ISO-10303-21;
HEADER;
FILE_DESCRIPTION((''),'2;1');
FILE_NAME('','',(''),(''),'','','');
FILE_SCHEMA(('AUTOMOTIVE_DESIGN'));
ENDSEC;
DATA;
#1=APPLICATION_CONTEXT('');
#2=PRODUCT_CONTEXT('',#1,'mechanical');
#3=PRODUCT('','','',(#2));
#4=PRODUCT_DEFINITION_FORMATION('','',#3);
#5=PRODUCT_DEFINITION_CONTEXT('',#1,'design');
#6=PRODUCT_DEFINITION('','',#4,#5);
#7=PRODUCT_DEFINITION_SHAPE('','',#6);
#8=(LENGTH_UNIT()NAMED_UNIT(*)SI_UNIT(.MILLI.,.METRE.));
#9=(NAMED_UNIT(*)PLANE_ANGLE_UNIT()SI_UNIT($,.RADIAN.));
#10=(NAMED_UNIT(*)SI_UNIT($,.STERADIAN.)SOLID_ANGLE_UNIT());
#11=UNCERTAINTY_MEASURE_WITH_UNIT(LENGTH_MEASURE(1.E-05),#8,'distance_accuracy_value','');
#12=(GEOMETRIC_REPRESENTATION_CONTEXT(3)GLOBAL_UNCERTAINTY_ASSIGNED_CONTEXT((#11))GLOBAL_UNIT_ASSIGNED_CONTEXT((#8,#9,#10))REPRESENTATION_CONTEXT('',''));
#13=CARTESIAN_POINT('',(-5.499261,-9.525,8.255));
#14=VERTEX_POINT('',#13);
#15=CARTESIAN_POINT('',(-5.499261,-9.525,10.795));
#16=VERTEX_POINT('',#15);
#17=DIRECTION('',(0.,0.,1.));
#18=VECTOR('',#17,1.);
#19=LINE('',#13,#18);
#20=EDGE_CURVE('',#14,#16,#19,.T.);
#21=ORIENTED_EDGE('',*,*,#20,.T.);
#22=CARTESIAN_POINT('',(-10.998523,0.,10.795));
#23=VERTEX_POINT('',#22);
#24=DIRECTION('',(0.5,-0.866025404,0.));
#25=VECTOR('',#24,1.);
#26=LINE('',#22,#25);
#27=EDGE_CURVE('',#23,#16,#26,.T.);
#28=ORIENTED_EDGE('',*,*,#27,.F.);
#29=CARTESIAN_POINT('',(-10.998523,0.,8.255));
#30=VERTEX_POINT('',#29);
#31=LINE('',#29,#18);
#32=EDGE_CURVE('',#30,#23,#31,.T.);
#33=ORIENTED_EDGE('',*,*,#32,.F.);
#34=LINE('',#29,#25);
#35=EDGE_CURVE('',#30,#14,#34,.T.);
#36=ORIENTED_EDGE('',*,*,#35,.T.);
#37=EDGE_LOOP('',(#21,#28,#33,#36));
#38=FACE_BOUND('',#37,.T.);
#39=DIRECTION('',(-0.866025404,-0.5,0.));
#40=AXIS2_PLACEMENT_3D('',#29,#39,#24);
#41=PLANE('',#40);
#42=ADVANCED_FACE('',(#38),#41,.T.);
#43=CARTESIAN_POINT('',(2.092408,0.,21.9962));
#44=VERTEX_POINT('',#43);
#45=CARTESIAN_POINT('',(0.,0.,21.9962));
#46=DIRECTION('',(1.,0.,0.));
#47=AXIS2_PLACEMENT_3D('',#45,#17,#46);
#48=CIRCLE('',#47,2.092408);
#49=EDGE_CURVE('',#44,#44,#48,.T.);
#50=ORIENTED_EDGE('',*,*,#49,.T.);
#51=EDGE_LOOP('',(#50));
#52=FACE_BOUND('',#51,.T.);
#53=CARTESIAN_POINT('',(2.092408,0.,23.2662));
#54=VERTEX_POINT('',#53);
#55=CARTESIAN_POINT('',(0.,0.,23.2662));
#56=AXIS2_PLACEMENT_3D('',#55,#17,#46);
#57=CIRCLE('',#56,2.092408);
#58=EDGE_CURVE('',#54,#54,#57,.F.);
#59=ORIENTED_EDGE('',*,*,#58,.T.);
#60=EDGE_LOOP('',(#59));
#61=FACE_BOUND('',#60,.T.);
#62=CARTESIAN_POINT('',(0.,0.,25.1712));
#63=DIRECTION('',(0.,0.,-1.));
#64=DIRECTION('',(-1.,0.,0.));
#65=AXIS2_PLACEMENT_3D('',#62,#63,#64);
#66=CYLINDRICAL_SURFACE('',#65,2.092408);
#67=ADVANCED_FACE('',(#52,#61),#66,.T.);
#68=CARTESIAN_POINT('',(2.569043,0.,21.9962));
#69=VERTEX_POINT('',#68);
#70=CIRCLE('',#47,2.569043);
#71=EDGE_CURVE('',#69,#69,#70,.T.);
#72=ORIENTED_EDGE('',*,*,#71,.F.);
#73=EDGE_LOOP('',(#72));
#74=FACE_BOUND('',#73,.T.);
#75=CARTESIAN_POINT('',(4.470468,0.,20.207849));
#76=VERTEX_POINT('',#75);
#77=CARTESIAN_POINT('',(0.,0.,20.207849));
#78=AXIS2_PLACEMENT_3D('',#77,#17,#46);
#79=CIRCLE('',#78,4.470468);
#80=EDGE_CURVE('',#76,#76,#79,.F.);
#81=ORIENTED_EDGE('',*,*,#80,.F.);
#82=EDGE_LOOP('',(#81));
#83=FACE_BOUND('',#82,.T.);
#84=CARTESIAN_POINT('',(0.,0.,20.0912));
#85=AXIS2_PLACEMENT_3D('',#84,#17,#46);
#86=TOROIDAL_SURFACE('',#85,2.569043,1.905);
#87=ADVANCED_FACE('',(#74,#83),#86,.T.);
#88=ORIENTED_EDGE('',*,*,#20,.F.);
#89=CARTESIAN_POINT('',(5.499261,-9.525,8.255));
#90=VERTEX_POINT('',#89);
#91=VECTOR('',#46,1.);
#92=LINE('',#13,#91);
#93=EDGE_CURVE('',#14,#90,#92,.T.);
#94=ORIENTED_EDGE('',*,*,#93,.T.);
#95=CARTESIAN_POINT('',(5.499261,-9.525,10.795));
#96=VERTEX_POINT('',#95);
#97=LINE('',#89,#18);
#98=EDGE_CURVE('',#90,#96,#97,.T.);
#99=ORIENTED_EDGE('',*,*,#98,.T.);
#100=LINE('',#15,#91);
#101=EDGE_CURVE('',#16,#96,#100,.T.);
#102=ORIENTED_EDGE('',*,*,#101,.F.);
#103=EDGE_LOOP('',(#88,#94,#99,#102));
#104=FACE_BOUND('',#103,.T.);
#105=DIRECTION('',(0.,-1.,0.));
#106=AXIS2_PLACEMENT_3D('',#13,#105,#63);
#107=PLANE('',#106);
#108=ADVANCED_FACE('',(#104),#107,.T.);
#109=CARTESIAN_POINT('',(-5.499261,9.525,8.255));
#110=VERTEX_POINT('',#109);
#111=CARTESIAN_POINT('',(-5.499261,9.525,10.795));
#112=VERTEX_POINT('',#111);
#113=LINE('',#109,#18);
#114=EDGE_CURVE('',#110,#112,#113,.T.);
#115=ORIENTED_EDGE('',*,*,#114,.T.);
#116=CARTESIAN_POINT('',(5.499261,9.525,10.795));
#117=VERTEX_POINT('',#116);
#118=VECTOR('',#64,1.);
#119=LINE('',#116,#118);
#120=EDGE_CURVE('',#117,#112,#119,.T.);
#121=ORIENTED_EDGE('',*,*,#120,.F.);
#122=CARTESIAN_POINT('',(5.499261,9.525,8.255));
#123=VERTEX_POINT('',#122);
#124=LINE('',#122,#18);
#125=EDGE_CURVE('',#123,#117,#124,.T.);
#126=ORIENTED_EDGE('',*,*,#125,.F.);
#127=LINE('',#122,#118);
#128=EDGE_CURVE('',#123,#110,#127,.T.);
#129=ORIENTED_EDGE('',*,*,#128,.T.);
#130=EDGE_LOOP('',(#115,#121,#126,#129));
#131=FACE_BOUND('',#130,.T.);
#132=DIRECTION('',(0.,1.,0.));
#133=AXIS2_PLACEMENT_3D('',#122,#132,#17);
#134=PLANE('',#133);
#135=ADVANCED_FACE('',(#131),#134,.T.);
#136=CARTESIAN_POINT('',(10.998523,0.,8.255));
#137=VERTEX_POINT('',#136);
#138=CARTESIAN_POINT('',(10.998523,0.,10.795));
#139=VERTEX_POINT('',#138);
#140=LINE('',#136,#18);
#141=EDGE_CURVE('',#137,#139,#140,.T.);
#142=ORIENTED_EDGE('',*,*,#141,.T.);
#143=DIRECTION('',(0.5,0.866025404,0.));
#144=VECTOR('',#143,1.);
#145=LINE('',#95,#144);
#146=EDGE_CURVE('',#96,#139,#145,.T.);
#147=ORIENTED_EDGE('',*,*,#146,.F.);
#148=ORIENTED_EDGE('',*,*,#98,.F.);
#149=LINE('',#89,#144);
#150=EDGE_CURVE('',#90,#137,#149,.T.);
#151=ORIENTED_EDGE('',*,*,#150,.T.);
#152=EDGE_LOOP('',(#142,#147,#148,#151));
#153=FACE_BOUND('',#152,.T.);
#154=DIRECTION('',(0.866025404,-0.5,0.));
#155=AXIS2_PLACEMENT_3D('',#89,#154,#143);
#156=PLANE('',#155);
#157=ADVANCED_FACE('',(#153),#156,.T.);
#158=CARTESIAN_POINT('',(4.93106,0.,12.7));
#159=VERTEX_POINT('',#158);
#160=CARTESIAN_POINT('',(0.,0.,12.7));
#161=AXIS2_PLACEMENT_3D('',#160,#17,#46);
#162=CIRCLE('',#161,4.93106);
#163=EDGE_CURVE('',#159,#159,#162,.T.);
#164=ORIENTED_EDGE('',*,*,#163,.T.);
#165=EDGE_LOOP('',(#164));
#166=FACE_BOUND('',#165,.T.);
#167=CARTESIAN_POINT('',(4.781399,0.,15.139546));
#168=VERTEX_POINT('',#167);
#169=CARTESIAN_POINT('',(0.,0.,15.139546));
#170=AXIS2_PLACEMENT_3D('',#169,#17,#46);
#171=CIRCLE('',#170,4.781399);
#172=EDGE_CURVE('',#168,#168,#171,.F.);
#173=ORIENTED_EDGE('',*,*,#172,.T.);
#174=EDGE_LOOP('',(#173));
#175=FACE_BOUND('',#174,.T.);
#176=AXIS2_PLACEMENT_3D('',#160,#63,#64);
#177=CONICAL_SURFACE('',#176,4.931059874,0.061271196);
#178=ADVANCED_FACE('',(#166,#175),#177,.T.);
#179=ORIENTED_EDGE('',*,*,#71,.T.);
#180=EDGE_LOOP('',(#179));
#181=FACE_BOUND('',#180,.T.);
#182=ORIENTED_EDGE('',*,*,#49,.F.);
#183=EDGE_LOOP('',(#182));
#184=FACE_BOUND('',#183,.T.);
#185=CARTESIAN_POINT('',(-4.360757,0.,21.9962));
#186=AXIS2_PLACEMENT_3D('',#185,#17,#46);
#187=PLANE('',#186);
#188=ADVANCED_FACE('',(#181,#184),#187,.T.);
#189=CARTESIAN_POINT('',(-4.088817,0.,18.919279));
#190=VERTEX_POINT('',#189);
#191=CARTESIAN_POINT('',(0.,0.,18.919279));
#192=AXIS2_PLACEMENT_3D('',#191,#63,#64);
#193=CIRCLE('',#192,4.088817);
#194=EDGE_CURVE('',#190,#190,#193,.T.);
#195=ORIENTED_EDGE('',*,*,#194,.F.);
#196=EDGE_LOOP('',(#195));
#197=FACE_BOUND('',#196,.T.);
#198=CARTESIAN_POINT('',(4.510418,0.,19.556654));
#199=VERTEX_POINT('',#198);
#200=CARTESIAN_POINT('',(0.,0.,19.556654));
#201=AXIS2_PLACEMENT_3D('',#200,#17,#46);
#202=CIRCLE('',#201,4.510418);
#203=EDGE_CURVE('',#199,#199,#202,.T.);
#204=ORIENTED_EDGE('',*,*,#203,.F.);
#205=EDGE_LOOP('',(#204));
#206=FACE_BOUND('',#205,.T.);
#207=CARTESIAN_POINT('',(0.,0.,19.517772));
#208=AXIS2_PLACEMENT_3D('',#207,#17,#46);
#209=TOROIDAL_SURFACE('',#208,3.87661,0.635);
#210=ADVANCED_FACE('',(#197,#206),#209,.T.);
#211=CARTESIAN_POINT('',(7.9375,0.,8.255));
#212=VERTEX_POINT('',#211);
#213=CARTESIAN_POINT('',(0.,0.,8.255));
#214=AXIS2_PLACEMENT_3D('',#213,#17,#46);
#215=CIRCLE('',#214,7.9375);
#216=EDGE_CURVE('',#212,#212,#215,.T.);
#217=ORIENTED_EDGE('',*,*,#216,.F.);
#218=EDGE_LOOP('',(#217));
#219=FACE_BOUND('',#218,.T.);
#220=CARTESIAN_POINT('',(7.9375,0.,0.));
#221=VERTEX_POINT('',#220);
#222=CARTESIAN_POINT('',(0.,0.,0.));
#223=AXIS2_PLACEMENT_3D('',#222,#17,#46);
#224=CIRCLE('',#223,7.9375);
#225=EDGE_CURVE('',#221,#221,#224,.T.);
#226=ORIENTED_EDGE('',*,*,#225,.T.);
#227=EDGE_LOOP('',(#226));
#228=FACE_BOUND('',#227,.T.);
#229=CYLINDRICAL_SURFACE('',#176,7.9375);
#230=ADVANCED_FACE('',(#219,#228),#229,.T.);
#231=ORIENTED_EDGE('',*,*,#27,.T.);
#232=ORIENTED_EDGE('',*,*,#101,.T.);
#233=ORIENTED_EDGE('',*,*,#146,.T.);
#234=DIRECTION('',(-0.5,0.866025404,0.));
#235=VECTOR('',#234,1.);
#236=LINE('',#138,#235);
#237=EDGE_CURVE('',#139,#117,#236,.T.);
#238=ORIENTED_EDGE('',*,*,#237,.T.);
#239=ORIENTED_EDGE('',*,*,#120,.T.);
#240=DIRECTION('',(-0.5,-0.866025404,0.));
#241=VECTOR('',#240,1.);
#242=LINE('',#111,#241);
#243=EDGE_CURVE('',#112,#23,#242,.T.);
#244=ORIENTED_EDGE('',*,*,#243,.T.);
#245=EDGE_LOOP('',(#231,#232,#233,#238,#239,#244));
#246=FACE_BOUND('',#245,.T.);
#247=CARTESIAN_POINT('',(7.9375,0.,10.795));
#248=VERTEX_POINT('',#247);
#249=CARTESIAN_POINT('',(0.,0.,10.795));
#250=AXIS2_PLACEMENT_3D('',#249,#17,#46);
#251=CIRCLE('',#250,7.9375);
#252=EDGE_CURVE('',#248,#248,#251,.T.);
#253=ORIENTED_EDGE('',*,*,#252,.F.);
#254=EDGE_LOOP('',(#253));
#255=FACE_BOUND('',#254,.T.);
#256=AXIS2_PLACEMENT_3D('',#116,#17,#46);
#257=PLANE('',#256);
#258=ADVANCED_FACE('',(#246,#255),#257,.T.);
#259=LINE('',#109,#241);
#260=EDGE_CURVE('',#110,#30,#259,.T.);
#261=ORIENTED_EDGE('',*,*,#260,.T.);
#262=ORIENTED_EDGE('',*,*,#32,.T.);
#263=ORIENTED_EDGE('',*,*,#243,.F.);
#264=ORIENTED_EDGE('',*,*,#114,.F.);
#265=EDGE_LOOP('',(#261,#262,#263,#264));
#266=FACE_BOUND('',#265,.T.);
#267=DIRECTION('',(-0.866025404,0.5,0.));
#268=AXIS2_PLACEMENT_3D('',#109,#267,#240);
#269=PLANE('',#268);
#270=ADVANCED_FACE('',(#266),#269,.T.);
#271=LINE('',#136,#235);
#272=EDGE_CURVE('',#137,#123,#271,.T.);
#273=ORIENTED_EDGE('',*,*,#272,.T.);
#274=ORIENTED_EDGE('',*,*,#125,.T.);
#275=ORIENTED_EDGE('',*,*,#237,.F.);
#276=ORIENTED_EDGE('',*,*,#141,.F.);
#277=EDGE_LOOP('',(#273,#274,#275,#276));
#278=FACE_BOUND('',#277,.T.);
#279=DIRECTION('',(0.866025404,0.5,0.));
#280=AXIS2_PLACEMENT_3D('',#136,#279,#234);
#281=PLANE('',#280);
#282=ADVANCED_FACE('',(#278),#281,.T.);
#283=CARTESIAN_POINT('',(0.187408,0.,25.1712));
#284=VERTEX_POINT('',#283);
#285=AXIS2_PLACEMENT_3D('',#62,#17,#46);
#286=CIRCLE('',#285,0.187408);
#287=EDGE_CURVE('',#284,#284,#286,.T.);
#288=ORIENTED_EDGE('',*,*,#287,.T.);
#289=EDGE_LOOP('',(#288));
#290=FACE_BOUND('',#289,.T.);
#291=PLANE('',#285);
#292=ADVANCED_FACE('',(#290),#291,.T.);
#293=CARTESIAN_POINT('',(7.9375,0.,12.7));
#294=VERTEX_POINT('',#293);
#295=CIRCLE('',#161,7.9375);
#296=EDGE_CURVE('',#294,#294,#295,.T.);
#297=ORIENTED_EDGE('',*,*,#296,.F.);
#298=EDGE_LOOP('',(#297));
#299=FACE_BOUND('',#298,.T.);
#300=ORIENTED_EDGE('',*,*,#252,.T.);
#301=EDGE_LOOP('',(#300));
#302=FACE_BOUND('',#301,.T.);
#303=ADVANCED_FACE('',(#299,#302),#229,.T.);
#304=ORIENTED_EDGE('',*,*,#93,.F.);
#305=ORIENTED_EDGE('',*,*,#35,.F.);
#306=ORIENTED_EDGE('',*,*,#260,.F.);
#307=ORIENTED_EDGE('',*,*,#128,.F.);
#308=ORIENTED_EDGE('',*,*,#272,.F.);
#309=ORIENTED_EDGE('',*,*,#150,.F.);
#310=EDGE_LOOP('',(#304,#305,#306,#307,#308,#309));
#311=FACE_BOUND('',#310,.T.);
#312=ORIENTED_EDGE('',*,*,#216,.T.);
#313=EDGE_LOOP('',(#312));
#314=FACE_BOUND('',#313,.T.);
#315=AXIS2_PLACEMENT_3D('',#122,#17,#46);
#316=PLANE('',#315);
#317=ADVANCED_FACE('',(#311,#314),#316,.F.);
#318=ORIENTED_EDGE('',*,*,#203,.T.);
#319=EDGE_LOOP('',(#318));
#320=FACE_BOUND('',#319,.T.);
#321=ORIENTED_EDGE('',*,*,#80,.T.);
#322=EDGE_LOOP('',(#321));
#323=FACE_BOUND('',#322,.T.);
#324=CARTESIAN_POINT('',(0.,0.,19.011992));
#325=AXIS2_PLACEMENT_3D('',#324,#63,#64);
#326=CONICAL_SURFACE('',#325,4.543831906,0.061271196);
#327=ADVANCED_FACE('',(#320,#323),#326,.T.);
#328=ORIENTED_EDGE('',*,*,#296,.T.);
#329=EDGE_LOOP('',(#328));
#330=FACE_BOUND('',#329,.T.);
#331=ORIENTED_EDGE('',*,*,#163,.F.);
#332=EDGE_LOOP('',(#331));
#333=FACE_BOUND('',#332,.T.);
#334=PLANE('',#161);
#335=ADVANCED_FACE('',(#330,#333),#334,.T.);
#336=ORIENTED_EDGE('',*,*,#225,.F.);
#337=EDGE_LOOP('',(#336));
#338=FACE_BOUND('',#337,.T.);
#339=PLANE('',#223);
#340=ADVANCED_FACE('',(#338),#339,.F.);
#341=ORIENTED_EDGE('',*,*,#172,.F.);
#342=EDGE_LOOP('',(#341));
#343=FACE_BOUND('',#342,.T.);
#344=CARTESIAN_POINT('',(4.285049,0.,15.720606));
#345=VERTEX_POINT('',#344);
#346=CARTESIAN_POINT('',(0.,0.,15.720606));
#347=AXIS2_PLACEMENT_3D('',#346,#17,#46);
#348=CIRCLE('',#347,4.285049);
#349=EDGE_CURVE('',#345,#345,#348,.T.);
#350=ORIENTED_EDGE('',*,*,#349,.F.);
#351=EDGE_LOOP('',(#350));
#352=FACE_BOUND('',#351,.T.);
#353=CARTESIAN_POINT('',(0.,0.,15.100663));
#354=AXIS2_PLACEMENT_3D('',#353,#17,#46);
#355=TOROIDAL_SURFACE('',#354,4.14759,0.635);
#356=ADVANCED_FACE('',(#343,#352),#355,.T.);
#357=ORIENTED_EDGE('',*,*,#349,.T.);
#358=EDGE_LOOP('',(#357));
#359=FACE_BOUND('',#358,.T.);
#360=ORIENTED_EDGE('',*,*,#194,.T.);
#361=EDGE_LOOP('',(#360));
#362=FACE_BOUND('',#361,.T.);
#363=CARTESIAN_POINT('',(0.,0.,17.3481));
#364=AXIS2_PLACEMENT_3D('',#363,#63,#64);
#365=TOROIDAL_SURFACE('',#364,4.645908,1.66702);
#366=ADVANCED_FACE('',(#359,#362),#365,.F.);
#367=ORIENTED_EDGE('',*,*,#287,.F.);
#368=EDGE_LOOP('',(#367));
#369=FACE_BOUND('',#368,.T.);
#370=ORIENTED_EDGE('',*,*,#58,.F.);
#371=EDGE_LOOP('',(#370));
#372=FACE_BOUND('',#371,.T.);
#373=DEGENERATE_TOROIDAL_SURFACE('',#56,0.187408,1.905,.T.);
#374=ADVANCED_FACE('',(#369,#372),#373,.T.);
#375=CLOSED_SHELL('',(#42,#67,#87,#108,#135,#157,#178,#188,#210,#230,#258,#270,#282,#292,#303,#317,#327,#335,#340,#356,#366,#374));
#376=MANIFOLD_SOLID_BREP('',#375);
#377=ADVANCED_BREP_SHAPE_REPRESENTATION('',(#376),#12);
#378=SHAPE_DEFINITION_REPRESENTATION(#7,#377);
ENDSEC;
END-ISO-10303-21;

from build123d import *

# Parameters (mm, degrees)
SKETCH1_R      = 7.9375
EXTRUDE1_DEPTH = 12.7
EXTRUDE2_DEPTH = 2.54
FILLET1_R      = 1.905
SKETCH5_R      = 2.092407527
EXTRUDE3_DEPTH = 3.175
FILLET2_R      = 1.905
FILLET3_R      = 0.635


with BuildPart() as part:
    # Sketch1 → Extrude1 (new body)
    with BuildSketch(Plane.XY):
        Circle(SKETCH1_R)
    extrude(amount=EXTRUDE1_DEPTH)

    # Sketch2 → Extrude2 (add)
    with BuildSketch(Plane.XY.offset(10.795)):
        Polygon((5.499261314, 9.525), (-5.499261314, 9.525), (-10.998522628, 0), (-5.499261314, -9.525), (5.499261314, -9.525), (10.998522628, 0), align=None)
    extrude(amount=-EXTRUDE2_DEPTH)

    # Sketch4 → Revolve1 (revolve)
    with BuildSketch(Plane(origin=(0, 0, 0), x_dir=(1, 0, 0), z_dir=(0, 1, 0))):
        with BuildLine():
            Line((-4.931059874, -12.7), (-4.747984705, -15.684208349))
            ThreePointArc((-4.747984705, -15.684208349), (-2.982016662, -17.246023592), (-4.543831906, -19.011991635))
            Line((-4.543831906, -19.011991635), (-4.360756736, -21.996199983))
            Line((-4.360756736, -21.996199983), (0, -21.996199983))
            Line((0, -21.996199983), (0, -12.7))
            Line((0, -12.7), (-4.931059874, -12.7))
        make_face()
    revolve(axis=Axis((0, 0, 12.7), (0, 0, 1)))

    # Fillet1
    fillet1_edges = [part.edges().sort_by_distance(p)[0] for p in [
        (4.360756736, 0, 21.996199983),
    ]]
    fillet(fillet1_edges, radius=FILLET1_R)

    # Sketch5 → Extrude3 (add)
    with BuildSketch(Plane.XY.offset(21.996199983)):
        Circle(SKETCH5_R)
    extrude(amount=EXTRUDE3_DEPTH)

    # Fillet2
    fillet2_edges = [part.edges().sort_by_distance(p)[0] for p in [
        (-2.092407527, 0, 25.171199983),
    ]]
    fillet(fillet2_edges, radius=FILLET2_R)

    # Fillet3
    fillet3_edges = [part.edges().sort_by_distance(p)[0] for p in [
        (4.747984705, 0, 15.684208349),
        (4.543831906, 0, 19.011991635),
    ]]
    fillet(fillet3_edges, radius=FILLET3_R)


solid = part.part
